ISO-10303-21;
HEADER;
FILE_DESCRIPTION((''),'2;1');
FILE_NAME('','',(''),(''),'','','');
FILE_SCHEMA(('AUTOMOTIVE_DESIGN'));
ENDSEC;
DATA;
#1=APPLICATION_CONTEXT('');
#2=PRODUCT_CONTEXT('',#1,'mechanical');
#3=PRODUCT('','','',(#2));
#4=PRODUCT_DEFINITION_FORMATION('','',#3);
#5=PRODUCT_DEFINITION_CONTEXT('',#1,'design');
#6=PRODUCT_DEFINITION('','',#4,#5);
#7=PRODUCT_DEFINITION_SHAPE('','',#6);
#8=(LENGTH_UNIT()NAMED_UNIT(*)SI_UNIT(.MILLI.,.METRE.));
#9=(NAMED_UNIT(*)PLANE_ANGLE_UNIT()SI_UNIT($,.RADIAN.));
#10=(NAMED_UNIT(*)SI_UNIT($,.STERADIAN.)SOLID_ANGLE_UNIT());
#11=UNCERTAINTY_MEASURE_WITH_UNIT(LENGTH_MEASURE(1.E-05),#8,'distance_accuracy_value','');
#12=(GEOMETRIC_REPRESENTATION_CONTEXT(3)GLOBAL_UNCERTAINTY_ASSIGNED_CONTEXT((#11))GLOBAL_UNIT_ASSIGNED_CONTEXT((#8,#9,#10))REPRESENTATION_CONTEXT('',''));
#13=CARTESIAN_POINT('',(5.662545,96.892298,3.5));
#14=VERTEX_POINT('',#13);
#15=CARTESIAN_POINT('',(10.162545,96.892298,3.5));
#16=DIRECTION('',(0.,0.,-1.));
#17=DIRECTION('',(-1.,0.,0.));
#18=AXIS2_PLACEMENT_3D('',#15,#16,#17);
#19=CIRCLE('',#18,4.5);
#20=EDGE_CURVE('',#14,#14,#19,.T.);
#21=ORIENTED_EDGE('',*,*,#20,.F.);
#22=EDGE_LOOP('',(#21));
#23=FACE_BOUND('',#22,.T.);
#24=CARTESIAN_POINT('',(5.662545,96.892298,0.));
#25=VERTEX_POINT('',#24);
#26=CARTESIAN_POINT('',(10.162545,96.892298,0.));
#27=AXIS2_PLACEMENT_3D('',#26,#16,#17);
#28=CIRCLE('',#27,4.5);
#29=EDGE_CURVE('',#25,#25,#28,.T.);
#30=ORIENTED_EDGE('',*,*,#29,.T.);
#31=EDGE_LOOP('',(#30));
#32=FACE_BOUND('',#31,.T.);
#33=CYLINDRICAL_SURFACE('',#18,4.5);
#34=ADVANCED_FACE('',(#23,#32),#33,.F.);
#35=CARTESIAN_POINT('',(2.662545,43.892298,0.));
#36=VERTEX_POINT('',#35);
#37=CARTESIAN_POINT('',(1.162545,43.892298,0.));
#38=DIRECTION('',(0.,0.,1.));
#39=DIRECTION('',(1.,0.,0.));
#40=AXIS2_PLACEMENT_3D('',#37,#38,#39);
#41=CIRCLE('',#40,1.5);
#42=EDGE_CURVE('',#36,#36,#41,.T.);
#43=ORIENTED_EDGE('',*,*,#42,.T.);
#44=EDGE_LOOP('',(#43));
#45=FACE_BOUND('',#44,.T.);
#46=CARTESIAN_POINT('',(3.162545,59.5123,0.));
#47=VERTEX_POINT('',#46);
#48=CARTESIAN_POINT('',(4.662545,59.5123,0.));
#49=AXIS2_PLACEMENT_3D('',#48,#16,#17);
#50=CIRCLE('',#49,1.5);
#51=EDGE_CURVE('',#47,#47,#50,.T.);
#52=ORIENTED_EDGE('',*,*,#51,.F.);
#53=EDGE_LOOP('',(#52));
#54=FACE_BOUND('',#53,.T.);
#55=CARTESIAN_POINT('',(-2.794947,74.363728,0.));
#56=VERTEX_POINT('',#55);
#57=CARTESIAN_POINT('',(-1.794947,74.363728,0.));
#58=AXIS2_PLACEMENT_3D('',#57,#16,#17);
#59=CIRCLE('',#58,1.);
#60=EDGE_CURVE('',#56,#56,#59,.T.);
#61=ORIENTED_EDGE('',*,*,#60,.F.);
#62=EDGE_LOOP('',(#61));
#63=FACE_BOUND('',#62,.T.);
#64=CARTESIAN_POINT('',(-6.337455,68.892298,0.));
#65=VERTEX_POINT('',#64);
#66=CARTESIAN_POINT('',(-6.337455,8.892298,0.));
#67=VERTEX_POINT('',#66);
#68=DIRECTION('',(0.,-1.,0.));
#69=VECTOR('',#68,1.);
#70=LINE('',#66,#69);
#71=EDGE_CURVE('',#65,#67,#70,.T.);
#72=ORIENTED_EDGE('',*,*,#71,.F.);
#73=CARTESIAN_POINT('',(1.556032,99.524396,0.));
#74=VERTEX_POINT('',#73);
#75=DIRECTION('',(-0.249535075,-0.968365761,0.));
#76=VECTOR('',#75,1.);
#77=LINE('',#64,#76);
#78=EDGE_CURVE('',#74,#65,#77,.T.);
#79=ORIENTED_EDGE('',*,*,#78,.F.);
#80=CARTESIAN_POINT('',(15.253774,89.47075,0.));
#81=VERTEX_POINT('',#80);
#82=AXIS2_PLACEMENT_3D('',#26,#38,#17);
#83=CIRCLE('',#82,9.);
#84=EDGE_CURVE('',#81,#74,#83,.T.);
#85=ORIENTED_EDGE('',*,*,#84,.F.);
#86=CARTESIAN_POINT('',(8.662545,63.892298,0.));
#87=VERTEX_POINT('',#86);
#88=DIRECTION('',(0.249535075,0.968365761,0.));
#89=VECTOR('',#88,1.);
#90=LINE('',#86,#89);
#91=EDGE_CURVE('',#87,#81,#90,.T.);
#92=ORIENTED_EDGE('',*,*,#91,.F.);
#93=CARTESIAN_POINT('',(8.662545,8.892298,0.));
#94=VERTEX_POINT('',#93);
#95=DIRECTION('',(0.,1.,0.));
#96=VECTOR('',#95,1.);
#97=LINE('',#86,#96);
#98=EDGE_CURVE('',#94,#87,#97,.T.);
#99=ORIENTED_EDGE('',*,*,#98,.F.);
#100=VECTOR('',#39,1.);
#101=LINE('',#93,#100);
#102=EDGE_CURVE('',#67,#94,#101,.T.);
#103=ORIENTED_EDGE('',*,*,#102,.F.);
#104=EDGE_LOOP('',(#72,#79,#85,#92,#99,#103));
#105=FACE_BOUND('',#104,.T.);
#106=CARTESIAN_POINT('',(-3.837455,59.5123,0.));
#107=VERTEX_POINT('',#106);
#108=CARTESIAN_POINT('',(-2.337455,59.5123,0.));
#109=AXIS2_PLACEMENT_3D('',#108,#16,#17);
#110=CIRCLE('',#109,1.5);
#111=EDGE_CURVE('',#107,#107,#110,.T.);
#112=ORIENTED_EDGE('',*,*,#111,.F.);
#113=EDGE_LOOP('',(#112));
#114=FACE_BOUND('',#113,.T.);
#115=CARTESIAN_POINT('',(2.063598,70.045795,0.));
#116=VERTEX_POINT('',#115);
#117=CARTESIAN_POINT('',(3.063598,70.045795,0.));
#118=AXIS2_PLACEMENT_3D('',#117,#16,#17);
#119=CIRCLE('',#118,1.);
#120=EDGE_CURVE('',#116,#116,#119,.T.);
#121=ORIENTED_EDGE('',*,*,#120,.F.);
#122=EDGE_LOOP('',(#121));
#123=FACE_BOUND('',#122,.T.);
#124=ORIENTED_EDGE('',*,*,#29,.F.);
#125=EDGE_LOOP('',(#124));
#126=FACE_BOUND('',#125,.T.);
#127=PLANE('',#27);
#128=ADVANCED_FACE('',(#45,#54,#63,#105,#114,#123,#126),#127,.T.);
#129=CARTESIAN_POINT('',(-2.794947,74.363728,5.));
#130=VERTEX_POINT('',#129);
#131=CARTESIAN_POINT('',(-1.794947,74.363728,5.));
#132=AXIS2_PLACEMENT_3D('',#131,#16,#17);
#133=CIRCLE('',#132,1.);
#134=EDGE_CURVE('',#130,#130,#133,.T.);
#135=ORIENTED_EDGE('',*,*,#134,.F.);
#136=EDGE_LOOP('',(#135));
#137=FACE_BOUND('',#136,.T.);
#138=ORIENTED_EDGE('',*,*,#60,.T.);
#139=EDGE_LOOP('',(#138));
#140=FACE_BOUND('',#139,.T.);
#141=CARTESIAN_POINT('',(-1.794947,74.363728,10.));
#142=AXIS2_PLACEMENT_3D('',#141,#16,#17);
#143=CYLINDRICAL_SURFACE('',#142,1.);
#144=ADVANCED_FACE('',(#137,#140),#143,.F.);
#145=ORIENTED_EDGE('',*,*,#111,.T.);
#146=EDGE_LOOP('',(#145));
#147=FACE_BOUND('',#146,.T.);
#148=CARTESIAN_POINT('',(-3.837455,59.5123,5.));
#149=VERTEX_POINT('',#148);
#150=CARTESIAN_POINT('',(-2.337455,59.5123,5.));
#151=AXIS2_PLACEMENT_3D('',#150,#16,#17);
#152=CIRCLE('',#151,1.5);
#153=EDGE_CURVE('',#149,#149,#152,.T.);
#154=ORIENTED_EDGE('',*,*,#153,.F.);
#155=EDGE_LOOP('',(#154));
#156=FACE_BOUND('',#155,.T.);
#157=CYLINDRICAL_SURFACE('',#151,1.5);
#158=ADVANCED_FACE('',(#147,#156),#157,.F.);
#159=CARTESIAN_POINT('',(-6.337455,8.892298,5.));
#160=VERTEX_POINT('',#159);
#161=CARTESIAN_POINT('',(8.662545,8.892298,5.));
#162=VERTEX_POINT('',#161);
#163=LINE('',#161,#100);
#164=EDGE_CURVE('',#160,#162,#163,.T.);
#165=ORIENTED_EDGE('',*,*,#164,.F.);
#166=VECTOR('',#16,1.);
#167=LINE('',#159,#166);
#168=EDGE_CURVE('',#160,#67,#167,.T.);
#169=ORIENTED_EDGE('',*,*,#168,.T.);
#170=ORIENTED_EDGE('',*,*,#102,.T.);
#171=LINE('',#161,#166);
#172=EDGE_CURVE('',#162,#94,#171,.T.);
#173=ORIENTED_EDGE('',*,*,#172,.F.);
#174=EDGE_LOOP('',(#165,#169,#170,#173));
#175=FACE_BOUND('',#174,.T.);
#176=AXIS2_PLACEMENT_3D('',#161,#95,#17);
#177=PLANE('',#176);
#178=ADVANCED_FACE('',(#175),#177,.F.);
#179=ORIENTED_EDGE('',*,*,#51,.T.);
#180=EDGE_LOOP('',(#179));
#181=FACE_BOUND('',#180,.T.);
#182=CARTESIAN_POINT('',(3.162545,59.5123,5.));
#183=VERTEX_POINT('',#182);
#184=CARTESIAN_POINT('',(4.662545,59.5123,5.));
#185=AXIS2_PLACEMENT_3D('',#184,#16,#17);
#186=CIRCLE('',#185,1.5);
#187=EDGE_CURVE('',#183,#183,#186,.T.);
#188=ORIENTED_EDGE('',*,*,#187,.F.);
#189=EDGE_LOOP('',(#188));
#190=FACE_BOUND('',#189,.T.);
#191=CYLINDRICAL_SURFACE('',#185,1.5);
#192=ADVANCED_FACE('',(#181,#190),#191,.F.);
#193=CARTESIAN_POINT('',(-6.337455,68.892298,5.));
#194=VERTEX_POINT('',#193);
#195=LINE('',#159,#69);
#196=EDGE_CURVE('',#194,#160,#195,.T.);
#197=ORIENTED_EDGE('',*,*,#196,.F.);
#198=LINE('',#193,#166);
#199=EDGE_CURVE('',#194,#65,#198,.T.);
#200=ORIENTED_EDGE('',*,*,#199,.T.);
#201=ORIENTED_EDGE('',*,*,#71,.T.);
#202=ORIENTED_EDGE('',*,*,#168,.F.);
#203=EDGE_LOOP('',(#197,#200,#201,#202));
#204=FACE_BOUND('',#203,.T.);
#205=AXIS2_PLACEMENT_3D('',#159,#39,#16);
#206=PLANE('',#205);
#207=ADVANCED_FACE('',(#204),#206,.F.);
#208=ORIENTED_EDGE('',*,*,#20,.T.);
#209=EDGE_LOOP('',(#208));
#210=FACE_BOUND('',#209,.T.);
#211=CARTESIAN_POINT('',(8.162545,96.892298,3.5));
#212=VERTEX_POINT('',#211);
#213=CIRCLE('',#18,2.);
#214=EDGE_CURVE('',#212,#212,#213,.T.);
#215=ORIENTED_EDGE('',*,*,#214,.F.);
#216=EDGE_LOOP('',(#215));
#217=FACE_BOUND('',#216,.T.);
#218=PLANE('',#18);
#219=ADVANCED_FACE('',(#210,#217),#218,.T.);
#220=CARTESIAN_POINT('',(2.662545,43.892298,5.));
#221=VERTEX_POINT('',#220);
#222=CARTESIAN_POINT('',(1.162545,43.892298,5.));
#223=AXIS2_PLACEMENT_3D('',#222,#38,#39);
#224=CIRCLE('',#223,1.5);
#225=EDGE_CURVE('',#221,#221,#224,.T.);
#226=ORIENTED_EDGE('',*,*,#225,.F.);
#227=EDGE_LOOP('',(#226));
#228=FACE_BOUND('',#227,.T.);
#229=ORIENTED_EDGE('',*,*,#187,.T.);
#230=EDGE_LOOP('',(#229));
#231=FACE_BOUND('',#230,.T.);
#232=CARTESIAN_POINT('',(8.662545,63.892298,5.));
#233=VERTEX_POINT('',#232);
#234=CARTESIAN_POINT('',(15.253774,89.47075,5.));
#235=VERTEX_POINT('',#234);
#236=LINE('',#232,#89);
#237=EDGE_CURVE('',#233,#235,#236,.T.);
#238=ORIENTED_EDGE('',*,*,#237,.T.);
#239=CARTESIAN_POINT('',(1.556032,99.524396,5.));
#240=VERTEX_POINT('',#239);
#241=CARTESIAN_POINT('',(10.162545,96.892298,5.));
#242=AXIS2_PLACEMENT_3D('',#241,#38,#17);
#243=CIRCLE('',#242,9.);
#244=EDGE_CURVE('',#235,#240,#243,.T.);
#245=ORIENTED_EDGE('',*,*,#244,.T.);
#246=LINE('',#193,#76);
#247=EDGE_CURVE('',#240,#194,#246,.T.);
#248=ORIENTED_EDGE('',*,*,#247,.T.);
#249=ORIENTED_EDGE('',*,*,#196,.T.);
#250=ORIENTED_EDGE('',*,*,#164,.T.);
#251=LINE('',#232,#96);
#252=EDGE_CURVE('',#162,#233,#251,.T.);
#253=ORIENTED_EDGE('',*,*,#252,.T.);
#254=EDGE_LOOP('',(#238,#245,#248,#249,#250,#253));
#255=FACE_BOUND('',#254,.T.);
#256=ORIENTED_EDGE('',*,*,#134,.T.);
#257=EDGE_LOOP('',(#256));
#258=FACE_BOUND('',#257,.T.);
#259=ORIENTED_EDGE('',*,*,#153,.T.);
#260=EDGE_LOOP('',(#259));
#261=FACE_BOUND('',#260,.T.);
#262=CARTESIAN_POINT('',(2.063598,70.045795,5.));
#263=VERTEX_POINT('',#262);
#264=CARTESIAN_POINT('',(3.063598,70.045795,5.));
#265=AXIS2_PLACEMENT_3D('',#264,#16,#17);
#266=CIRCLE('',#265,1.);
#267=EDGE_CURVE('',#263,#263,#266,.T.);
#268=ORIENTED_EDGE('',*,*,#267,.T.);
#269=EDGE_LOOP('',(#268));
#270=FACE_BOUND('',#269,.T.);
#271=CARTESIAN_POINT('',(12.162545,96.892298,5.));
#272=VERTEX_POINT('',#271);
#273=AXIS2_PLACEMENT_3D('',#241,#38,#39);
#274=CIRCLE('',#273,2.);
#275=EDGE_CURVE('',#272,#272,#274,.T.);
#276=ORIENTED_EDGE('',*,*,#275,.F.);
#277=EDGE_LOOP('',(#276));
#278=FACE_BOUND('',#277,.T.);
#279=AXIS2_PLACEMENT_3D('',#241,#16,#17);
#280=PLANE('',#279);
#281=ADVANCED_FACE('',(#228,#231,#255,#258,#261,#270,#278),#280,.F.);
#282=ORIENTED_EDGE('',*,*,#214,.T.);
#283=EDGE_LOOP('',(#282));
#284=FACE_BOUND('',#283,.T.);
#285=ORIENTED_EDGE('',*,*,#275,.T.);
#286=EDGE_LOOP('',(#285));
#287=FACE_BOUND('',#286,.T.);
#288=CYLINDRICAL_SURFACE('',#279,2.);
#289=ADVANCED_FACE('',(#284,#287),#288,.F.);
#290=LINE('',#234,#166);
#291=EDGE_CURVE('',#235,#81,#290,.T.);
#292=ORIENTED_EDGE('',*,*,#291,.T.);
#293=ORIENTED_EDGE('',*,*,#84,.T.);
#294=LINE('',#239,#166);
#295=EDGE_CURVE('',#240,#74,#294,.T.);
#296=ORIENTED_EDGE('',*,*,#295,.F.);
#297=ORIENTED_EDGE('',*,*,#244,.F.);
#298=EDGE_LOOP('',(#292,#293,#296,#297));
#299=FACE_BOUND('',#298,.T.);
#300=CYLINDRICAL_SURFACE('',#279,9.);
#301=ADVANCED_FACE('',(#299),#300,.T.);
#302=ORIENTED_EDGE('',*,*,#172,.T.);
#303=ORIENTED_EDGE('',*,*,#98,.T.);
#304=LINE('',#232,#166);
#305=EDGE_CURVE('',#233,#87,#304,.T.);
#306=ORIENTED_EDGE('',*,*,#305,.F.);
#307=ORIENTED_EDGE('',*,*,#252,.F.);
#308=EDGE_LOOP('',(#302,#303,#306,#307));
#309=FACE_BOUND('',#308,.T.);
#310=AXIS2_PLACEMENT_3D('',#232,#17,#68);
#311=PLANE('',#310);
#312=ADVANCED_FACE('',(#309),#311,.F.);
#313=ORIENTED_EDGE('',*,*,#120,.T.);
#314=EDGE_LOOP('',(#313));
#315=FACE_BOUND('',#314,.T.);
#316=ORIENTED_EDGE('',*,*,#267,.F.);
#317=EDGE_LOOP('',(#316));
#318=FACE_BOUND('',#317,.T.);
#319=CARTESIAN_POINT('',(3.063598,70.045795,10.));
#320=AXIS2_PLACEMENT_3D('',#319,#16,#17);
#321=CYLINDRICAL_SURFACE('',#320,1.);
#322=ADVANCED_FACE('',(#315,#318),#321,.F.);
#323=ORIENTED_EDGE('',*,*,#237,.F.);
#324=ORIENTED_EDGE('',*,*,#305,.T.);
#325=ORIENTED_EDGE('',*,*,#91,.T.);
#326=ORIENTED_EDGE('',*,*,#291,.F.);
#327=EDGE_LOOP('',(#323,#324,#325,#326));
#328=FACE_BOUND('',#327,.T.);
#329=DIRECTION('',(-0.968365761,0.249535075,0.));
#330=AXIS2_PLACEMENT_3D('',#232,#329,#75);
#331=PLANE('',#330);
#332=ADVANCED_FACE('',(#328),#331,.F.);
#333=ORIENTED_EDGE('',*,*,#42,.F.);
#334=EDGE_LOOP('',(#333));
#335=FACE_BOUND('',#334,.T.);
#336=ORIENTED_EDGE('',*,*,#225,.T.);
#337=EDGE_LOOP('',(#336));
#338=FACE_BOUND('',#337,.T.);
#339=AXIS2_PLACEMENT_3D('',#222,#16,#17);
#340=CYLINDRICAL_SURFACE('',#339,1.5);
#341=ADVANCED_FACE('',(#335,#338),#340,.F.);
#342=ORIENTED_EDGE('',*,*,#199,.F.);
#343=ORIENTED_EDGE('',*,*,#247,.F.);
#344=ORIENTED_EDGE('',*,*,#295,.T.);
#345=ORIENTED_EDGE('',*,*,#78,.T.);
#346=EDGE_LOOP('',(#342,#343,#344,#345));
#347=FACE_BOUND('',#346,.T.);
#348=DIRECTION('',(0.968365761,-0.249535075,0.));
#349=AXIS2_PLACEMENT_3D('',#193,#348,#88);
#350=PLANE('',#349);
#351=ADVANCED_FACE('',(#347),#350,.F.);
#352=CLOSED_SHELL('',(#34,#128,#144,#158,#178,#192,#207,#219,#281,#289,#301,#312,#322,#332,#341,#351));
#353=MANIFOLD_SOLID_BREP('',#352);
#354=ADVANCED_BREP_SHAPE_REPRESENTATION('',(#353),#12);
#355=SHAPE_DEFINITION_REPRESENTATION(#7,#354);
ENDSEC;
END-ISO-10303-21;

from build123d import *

# Parameters (mm, degrees)
SKETCH1_R           = 2
SKETCH1_R_2         = 1.5
BOSS_EXTRUDE1_DEPTH = 5
SKETCH3_R           = 4.5
CUT_EXTRUDE1_DEPTH  = 3.5
SKETCH7_R           = 1
CUT_EXTRUDE3_DEPTH  = 10
SKETCH10_R          = 1.499999992
CUT_EXTRUDE4_DEPTH  = 108.72827842


with BuildPart() as part:
    # Sketch1 → Boss-Extrude1 (new body)
    with BuildSketch(Plane.XY):
        with BuildLine():
            Line((8.662544735, 63.892298354), (8.662544735, 8.892298354))
            Line((8.662544735, 8.892298354), (-6.337455265, 8.892298354))
            Line((-6.337455265, 8.892298354), (-6.337455265, 68.892298354))
            Line((-6.337455265, 68.892298354), (1.556032109, 99.524396458))
            ThreePointArc((1.556032109, 99.524396458), (15.487791899, 104.147761306), (15.253774048, 89.470749723))
            Line((15.253774048, 89.470749723), (8.662544735, 63.892298354))
        make_face()
        with Locations((10.162544735, 96.892298354)):
            Circle(SKETCH1_R, mode=Mode.SUBTRACT)
        with Locations((1.162544735, 43.892298354)):
            Circle(SKETCH1_R_2, mode=Mode.SUBTRACT)
    extrude(amount=BOSS_EXTRUDE1_DEPTH)

    # Sketch3 → Cut-Extrude1 (cut)
    with BuildSketch(Plane(origin=(0, 0, 0), x_dir=(-1, 0, 0), z_dir=(0, 0, -1))):
        with Locations((-10.162544735, 96.892298354)):
            Circle(SKETCH3_R)
    extrude(amount=-CUT_EXTRUDE1_DEPTH, mode=Mode.SUBTRACT)

    # Sketch7 → Cut-Extrude3 (cut)
    with BuildSketch(Plane(origin=(0, 0, 0), x_dir=(-1, 0, 0), z_dir=(0, 0, -1))):
        with Locations((-3.063597883, 70.045794856)):
            Circle(SKETCH7_R)
        with Locations((1.794946815, 74.363727627)):
            Circle(SKETCH7_R)
    extrude(amount=-CUT_EXTRUDE3_DEPTH, mode=Mode.SUBTRACT)

    # Sketch10 → Cut-Extrude4 (cut, through all)
    with BuildSketch(Plane(origin=(0, 0, 0), x_dir=(-1, 0, 0), z_dir=(0, 0, -1))):
        with Locations((2.337455106, 59.512300154)):
            Circle(SKETCH10_R)
        with Locations((-4.662544922, 59.512300154)):
            Circle(SKETCH10_R)
    extrude(amount=-CUT_EXTRUDE4_DEPTH, mode=Mode.SUBTRACT)


solid = part.part
